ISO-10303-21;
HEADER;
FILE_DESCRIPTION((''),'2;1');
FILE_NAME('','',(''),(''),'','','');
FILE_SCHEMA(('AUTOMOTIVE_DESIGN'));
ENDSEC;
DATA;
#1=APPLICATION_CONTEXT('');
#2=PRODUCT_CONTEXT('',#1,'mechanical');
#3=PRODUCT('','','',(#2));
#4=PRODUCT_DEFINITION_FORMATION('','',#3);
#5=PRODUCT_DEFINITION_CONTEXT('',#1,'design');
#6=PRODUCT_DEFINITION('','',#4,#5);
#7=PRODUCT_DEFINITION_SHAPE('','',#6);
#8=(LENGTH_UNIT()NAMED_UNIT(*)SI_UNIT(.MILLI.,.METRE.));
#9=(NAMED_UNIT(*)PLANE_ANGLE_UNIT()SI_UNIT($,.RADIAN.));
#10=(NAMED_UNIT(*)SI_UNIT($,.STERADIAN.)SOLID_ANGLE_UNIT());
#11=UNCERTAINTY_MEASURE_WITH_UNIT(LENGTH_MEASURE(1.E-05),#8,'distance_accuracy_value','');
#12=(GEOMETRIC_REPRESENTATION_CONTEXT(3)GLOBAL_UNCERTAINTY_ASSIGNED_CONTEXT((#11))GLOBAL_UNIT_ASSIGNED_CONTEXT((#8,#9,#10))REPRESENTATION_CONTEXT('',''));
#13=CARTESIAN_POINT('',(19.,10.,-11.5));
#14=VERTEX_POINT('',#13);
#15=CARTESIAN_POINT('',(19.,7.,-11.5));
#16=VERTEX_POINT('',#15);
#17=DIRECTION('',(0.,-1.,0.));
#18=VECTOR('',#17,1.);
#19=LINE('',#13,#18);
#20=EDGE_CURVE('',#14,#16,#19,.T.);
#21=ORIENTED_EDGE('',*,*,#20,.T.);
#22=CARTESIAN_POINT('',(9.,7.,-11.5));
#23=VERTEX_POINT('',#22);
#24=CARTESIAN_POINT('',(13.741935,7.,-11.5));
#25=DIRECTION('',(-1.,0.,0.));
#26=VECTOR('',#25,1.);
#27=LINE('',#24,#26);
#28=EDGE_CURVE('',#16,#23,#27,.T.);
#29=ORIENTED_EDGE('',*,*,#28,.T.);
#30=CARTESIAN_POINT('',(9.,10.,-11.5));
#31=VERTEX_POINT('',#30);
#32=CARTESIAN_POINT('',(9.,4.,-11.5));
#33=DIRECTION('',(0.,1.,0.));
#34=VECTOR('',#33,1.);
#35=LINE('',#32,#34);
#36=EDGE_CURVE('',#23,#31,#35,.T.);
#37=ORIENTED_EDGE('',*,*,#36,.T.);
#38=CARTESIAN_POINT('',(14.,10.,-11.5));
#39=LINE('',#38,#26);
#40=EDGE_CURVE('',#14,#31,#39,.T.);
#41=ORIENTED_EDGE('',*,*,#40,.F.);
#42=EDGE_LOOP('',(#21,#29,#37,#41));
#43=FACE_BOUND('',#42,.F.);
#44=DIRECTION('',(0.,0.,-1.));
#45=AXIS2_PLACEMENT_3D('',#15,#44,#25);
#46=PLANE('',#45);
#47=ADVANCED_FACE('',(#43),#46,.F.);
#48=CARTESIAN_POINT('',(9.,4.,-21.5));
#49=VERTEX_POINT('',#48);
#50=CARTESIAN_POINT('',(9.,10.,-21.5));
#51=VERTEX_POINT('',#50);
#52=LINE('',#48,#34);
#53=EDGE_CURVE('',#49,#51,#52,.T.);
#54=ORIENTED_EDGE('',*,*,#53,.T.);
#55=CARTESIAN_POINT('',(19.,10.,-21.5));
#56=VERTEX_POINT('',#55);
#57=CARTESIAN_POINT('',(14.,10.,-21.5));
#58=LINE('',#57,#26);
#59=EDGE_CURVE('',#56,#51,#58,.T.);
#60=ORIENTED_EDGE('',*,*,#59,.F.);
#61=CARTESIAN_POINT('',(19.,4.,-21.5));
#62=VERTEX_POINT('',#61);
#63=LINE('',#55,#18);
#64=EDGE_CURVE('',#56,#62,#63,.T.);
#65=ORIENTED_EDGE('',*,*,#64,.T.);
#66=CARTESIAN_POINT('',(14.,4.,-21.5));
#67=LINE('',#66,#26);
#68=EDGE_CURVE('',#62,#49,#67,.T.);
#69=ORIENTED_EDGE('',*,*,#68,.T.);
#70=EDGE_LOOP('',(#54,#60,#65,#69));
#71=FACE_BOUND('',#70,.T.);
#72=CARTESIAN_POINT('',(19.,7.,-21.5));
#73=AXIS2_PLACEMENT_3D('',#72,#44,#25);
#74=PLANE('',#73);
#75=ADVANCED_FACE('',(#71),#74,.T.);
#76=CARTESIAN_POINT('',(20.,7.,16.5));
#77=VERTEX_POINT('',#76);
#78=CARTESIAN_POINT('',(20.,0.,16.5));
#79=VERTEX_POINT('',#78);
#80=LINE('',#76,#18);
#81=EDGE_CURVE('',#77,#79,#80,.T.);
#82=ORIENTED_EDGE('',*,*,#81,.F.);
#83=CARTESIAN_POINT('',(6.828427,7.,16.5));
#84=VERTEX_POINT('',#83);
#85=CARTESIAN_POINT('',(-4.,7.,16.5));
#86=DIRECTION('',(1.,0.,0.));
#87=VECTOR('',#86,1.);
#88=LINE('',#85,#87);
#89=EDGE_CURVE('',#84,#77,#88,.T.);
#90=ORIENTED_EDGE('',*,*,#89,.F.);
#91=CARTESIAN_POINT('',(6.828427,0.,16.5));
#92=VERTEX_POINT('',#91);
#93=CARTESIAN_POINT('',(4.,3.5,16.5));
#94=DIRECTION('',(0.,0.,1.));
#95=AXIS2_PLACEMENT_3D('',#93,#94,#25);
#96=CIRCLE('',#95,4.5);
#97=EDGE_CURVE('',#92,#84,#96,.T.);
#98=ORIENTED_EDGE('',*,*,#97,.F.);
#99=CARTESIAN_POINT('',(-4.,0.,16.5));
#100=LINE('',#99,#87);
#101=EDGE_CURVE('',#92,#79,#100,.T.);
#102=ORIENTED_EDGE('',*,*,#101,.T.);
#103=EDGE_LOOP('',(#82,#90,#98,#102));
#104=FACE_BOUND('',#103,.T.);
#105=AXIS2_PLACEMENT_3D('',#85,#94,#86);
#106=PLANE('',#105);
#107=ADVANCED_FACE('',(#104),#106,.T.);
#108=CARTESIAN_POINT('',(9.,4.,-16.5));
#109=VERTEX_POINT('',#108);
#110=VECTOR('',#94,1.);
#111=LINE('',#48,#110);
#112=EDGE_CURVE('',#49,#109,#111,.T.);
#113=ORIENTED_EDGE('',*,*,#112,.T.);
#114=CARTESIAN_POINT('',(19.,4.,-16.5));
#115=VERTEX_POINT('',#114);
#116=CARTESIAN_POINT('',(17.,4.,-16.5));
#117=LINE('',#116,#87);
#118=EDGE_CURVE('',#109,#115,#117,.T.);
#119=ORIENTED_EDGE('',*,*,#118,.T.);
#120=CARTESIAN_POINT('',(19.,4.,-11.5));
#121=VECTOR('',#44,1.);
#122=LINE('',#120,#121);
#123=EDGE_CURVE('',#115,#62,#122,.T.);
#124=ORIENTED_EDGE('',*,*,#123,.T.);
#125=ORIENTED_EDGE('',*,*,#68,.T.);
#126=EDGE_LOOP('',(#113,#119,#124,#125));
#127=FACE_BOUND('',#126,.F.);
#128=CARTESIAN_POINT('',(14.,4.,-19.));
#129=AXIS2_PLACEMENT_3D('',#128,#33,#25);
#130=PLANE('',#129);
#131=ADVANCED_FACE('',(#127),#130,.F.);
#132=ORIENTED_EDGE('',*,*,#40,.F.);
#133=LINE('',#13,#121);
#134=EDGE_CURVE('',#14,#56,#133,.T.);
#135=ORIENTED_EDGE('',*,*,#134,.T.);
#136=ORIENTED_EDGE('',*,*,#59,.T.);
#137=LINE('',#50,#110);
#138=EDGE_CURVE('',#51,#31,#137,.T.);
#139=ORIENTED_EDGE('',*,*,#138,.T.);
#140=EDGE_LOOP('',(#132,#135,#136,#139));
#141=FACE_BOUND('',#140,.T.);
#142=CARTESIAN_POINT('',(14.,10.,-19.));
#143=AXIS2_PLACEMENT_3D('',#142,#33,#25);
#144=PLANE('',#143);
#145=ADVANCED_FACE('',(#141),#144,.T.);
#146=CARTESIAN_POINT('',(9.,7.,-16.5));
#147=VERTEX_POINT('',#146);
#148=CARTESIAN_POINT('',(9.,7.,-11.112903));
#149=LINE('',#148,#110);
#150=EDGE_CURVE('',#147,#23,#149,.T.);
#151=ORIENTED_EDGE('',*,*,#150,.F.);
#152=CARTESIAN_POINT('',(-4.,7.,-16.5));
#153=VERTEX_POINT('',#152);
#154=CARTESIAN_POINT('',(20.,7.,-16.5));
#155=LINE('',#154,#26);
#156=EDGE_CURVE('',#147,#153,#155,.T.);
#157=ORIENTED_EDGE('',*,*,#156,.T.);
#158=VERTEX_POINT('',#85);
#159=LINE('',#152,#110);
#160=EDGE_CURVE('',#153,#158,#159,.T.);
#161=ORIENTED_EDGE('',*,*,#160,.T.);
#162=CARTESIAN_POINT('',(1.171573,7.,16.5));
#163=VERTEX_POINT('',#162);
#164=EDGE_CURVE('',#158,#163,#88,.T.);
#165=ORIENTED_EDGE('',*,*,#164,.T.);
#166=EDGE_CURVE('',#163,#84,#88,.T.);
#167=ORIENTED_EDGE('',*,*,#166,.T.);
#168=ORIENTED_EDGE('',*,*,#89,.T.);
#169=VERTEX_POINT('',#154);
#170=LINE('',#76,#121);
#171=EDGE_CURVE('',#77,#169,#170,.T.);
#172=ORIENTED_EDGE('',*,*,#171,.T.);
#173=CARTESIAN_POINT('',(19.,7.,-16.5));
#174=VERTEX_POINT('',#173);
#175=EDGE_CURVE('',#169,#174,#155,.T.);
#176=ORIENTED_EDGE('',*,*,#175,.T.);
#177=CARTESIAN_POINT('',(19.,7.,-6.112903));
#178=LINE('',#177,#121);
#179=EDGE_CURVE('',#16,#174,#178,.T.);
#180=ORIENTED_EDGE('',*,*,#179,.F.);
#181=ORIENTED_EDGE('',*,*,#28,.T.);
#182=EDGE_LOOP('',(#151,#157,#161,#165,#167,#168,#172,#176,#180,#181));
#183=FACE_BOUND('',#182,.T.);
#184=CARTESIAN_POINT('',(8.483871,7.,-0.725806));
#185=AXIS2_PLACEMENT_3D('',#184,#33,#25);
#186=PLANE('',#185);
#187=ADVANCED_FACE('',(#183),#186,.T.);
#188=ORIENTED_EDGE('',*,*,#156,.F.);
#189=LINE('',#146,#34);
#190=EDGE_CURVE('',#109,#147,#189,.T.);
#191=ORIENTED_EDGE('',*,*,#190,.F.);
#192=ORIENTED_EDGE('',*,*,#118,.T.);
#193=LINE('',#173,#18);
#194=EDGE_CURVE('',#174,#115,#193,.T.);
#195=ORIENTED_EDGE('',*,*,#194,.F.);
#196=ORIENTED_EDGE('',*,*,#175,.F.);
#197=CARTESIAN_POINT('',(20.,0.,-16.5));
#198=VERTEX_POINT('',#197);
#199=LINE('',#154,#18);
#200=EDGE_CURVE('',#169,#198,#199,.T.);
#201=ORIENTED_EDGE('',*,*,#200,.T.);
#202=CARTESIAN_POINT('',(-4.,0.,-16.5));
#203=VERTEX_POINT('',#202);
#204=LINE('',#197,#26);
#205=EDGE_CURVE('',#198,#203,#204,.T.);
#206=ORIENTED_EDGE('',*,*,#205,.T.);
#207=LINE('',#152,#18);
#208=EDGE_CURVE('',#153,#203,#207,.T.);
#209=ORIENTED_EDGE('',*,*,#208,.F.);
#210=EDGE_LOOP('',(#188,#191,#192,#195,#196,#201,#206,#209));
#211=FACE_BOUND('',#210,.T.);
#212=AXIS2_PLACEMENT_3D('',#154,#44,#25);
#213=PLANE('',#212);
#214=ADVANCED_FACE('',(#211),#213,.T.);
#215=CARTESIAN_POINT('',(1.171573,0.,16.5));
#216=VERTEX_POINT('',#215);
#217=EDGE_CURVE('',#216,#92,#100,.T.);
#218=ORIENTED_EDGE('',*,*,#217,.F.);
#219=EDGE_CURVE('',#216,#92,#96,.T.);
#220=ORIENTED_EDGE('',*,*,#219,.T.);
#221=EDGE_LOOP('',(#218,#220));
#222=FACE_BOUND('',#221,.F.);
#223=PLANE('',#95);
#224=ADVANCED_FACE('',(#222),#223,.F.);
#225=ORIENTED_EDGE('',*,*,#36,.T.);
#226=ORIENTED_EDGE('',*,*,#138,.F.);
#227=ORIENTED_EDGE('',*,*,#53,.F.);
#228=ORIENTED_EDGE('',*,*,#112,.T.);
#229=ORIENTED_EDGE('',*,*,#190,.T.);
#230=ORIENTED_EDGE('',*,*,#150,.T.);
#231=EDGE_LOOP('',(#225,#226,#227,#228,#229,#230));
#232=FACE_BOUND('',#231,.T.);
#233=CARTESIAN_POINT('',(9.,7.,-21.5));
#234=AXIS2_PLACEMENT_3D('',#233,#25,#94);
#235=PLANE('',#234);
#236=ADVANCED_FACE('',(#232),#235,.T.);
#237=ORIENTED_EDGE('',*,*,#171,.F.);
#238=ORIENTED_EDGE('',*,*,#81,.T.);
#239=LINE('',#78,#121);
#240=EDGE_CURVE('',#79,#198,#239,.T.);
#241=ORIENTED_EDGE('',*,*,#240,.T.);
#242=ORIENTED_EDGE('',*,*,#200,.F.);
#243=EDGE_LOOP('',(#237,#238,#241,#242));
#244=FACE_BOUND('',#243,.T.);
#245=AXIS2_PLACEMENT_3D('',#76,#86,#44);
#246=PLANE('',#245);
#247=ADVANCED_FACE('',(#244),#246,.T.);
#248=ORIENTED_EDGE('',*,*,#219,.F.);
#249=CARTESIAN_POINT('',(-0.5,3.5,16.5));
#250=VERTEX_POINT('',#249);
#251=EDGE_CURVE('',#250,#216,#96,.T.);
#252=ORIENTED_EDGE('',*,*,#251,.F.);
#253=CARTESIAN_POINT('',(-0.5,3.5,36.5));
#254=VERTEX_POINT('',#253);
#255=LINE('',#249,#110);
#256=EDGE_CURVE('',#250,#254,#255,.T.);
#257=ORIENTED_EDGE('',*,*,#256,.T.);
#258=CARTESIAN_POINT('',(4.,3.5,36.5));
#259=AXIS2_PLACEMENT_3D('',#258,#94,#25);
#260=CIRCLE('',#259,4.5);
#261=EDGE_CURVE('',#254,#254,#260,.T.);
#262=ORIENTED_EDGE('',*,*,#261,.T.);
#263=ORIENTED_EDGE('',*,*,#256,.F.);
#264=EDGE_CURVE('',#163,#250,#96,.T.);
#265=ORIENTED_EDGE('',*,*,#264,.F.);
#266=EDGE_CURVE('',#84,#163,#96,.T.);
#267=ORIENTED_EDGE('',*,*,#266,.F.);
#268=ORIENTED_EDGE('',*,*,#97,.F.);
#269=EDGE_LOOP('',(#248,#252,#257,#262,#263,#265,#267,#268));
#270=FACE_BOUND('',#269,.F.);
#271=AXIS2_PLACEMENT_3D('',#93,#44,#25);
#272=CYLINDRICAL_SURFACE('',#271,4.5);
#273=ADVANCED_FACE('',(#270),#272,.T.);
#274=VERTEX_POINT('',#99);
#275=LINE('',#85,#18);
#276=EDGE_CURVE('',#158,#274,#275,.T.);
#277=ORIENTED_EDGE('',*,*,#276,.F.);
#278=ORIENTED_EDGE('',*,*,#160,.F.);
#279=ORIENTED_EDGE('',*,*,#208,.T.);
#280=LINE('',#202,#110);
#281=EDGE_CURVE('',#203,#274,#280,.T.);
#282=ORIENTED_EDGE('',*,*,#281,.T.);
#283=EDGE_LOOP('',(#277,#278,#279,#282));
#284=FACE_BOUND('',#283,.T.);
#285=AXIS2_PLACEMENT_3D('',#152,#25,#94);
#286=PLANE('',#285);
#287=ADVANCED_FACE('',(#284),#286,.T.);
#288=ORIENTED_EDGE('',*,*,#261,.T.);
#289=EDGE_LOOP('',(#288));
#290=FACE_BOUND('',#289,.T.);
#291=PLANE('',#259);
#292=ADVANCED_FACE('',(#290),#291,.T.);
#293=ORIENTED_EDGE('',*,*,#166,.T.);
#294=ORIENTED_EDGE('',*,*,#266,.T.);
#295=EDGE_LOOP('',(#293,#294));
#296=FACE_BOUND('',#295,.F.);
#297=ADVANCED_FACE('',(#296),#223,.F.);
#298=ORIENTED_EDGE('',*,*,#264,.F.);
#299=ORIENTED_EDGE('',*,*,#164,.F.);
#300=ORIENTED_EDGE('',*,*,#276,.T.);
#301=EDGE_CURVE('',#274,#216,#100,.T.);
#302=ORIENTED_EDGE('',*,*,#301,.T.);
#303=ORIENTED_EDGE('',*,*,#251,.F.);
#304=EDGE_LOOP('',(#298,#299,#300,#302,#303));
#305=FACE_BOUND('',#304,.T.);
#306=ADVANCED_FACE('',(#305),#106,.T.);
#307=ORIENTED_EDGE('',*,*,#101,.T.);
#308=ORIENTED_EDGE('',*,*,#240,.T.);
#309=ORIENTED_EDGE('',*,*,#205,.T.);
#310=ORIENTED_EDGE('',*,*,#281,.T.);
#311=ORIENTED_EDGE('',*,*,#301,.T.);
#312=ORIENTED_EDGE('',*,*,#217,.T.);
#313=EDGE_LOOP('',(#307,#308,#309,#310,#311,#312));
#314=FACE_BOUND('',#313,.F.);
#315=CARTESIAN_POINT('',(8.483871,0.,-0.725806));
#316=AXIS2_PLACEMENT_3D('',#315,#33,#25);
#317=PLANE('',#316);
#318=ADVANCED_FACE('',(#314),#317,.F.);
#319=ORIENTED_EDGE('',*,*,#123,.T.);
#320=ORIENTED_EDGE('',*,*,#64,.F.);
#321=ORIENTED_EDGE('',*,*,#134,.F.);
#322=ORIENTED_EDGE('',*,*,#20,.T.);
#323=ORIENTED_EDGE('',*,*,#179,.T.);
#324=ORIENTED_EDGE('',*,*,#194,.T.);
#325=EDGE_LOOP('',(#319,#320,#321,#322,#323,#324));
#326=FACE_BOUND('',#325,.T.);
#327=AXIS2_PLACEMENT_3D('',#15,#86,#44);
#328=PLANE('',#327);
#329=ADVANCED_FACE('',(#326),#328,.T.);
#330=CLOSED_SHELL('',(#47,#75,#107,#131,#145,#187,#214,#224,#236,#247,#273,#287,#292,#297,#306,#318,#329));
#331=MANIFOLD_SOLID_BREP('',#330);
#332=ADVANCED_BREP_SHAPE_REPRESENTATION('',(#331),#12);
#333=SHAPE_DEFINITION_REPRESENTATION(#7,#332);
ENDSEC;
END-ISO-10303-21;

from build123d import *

# Parameters (mm, degrees)
F0_W     = 10
F0_H     = 5
F1_DEPTH = 7
F2_DEPTH = 3
F3_R     = 4.5
F4_DEPTH = 20
F5_ANGLE = 180


with BuildPart() as f1:
    # F0 (on Front) → F1 (new body)
    with BuildSketch(Plane.XZ):
        Polygon((12, -16.5), (12, 16.5), (-12, 16.5), (-12, -16.5), (-11, -16.5), (-11, -11.5), (-1, -11.5), (-1, -16.5), align=None)
        with Locations((-6, -14)):
            Rectangle(F0_W, F0_H)
    extrude(amount=-F1_DEPTH)

    # F0 (on Front) → F2 (join, symmetric)
    with BuildSketch(Plane.XZ):
        with Locations((-6, -19)):
            Rectangle(F0_W, F0_H)
        with Locations((-6, -14)):
            Rectangle(F0_W, F0_H)
    extrude(amount=F2_DEPTH, both=True)

    # F3 (on face) → F4 (join)
    with BuildSketch(Plane.XY.offset(16.5)):
        with Locations((4, 3.5)):
            Circle(F3_R)
    extrude(amount=F4_DEPTH)


with BuildPart() as f1_1:
    # F5: moved
    add(f1.part.rotate(Axis((4, 3.5, 16.5), (0, 0, -1)), F5_ANGLE))


solid = f1_1.part
